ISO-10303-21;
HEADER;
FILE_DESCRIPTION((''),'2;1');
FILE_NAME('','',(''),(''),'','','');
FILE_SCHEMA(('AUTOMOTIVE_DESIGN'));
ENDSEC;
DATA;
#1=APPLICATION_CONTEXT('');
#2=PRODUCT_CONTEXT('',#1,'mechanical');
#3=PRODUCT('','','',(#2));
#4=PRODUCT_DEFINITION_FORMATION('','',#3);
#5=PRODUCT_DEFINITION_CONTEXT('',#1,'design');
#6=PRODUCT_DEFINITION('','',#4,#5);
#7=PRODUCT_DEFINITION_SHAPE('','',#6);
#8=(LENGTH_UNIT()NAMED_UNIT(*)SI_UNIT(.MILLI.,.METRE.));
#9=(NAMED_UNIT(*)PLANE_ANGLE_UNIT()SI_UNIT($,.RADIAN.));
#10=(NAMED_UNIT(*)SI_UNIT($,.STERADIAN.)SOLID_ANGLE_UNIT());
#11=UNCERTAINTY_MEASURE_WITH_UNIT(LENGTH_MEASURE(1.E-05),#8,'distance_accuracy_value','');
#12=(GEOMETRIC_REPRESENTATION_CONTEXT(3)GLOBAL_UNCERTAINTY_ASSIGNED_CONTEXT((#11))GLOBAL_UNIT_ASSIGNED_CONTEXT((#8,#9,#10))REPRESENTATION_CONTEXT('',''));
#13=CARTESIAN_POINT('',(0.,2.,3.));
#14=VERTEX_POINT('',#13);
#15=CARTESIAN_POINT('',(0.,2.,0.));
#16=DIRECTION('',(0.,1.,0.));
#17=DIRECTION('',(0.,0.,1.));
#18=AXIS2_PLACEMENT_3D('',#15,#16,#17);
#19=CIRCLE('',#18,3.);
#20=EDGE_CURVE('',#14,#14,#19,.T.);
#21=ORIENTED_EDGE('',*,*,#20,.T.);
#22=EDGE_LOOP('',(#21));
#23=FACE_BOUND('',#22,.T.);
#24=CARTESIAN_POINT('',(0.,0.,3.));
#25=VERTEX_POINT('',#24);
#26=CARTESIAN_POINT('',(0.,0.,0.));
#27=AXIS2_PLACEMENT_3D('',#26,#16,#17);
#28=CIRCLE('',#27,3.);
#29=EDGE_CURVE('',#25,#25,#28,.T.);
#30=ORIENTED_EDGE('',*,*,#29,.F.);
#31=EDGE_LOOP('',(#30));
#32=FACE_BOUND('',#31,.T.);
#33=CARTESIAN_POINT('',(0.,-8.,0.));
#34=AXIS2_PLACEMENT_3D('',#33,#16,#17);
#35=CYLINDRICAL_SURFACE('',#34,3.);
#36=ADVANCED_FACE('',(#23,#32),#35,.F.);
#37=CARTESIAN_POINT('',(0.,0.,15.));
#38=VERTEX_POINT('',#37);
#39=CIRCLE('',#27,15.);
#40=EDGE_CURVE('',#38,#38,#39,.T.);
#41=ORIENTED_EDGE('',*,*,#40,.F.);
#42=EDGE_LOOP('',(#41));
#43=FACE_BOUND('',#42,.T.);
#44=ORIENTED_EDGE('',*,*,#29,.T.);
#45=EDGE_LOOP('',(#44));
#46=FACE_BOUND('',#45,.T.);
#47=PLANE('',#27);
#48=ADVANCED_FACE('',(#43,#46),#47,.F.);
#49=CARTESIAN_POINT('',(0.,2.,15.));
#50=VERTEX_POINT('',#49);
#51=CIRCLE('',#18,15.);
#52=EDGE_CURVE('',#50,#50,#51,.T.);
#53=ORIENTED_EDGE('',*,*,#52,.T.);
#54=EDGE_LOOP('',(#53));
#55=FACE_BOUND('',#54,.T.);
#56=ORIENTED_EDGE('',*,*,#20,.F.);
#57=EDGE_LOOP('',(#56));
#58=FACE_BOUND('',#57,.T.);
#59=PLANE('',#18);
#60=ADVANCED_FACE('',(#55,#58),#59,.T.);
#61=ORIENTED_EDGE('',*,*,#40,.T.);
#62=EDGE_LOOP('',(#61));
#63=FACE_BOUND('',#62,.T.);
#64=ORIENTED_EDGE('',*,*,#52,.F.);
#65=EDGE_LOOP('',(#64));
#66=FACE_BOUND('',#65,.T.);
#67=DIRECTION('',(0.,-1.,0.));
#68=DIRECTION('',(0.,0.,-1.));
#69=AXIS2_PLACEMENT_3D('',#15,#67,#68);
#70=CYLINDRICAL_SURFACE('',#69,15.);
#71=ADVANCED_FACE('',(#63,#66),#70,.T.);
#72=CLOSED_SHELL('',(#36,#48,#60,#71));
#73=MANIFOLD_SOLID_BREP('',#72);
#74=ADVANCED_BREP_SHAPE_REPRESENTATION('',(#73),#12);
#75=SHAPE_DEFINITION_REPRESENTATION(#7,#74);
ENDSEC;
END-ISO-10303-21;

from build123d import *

# Parameters (mm, degrees)
SZKIC2_R                    = 15
DODANIE_WYCI_GNI_CIE1_DEPTH = 2
SZKIC4_R                    = 3
WYTNIJ_WYCI_GNI_CIE1_DEPTH  = 10


with BuildPart() as part:
    # Szkic2 → Dodanie-wyciągnięcie1 (new body)
    with BuildSketch(Plane(origin=(0, 0, 0), x_dir=(1, 0, 0), z_dir=(0, 1, 0))):
        Circle(SZKIC2_R)
    extrude(amount=DODANIE_WYCI_GNI_CIE1_DEPTH)

    # Szkic4 → Wytnij-wyciągnięcie1 (cut)
    with BuildSketch(Plane(origin=(0, 2, 0), x_dir=(1, 0, 0), z_dir=(0, 1, 0))):
        Circle(SZKIC4_R)
    extrude(amount=-WYTNIJ_WYCI_GNI_CIE1_DEPTH, mode=Mode.SUBTRACT)


solid = part.part
